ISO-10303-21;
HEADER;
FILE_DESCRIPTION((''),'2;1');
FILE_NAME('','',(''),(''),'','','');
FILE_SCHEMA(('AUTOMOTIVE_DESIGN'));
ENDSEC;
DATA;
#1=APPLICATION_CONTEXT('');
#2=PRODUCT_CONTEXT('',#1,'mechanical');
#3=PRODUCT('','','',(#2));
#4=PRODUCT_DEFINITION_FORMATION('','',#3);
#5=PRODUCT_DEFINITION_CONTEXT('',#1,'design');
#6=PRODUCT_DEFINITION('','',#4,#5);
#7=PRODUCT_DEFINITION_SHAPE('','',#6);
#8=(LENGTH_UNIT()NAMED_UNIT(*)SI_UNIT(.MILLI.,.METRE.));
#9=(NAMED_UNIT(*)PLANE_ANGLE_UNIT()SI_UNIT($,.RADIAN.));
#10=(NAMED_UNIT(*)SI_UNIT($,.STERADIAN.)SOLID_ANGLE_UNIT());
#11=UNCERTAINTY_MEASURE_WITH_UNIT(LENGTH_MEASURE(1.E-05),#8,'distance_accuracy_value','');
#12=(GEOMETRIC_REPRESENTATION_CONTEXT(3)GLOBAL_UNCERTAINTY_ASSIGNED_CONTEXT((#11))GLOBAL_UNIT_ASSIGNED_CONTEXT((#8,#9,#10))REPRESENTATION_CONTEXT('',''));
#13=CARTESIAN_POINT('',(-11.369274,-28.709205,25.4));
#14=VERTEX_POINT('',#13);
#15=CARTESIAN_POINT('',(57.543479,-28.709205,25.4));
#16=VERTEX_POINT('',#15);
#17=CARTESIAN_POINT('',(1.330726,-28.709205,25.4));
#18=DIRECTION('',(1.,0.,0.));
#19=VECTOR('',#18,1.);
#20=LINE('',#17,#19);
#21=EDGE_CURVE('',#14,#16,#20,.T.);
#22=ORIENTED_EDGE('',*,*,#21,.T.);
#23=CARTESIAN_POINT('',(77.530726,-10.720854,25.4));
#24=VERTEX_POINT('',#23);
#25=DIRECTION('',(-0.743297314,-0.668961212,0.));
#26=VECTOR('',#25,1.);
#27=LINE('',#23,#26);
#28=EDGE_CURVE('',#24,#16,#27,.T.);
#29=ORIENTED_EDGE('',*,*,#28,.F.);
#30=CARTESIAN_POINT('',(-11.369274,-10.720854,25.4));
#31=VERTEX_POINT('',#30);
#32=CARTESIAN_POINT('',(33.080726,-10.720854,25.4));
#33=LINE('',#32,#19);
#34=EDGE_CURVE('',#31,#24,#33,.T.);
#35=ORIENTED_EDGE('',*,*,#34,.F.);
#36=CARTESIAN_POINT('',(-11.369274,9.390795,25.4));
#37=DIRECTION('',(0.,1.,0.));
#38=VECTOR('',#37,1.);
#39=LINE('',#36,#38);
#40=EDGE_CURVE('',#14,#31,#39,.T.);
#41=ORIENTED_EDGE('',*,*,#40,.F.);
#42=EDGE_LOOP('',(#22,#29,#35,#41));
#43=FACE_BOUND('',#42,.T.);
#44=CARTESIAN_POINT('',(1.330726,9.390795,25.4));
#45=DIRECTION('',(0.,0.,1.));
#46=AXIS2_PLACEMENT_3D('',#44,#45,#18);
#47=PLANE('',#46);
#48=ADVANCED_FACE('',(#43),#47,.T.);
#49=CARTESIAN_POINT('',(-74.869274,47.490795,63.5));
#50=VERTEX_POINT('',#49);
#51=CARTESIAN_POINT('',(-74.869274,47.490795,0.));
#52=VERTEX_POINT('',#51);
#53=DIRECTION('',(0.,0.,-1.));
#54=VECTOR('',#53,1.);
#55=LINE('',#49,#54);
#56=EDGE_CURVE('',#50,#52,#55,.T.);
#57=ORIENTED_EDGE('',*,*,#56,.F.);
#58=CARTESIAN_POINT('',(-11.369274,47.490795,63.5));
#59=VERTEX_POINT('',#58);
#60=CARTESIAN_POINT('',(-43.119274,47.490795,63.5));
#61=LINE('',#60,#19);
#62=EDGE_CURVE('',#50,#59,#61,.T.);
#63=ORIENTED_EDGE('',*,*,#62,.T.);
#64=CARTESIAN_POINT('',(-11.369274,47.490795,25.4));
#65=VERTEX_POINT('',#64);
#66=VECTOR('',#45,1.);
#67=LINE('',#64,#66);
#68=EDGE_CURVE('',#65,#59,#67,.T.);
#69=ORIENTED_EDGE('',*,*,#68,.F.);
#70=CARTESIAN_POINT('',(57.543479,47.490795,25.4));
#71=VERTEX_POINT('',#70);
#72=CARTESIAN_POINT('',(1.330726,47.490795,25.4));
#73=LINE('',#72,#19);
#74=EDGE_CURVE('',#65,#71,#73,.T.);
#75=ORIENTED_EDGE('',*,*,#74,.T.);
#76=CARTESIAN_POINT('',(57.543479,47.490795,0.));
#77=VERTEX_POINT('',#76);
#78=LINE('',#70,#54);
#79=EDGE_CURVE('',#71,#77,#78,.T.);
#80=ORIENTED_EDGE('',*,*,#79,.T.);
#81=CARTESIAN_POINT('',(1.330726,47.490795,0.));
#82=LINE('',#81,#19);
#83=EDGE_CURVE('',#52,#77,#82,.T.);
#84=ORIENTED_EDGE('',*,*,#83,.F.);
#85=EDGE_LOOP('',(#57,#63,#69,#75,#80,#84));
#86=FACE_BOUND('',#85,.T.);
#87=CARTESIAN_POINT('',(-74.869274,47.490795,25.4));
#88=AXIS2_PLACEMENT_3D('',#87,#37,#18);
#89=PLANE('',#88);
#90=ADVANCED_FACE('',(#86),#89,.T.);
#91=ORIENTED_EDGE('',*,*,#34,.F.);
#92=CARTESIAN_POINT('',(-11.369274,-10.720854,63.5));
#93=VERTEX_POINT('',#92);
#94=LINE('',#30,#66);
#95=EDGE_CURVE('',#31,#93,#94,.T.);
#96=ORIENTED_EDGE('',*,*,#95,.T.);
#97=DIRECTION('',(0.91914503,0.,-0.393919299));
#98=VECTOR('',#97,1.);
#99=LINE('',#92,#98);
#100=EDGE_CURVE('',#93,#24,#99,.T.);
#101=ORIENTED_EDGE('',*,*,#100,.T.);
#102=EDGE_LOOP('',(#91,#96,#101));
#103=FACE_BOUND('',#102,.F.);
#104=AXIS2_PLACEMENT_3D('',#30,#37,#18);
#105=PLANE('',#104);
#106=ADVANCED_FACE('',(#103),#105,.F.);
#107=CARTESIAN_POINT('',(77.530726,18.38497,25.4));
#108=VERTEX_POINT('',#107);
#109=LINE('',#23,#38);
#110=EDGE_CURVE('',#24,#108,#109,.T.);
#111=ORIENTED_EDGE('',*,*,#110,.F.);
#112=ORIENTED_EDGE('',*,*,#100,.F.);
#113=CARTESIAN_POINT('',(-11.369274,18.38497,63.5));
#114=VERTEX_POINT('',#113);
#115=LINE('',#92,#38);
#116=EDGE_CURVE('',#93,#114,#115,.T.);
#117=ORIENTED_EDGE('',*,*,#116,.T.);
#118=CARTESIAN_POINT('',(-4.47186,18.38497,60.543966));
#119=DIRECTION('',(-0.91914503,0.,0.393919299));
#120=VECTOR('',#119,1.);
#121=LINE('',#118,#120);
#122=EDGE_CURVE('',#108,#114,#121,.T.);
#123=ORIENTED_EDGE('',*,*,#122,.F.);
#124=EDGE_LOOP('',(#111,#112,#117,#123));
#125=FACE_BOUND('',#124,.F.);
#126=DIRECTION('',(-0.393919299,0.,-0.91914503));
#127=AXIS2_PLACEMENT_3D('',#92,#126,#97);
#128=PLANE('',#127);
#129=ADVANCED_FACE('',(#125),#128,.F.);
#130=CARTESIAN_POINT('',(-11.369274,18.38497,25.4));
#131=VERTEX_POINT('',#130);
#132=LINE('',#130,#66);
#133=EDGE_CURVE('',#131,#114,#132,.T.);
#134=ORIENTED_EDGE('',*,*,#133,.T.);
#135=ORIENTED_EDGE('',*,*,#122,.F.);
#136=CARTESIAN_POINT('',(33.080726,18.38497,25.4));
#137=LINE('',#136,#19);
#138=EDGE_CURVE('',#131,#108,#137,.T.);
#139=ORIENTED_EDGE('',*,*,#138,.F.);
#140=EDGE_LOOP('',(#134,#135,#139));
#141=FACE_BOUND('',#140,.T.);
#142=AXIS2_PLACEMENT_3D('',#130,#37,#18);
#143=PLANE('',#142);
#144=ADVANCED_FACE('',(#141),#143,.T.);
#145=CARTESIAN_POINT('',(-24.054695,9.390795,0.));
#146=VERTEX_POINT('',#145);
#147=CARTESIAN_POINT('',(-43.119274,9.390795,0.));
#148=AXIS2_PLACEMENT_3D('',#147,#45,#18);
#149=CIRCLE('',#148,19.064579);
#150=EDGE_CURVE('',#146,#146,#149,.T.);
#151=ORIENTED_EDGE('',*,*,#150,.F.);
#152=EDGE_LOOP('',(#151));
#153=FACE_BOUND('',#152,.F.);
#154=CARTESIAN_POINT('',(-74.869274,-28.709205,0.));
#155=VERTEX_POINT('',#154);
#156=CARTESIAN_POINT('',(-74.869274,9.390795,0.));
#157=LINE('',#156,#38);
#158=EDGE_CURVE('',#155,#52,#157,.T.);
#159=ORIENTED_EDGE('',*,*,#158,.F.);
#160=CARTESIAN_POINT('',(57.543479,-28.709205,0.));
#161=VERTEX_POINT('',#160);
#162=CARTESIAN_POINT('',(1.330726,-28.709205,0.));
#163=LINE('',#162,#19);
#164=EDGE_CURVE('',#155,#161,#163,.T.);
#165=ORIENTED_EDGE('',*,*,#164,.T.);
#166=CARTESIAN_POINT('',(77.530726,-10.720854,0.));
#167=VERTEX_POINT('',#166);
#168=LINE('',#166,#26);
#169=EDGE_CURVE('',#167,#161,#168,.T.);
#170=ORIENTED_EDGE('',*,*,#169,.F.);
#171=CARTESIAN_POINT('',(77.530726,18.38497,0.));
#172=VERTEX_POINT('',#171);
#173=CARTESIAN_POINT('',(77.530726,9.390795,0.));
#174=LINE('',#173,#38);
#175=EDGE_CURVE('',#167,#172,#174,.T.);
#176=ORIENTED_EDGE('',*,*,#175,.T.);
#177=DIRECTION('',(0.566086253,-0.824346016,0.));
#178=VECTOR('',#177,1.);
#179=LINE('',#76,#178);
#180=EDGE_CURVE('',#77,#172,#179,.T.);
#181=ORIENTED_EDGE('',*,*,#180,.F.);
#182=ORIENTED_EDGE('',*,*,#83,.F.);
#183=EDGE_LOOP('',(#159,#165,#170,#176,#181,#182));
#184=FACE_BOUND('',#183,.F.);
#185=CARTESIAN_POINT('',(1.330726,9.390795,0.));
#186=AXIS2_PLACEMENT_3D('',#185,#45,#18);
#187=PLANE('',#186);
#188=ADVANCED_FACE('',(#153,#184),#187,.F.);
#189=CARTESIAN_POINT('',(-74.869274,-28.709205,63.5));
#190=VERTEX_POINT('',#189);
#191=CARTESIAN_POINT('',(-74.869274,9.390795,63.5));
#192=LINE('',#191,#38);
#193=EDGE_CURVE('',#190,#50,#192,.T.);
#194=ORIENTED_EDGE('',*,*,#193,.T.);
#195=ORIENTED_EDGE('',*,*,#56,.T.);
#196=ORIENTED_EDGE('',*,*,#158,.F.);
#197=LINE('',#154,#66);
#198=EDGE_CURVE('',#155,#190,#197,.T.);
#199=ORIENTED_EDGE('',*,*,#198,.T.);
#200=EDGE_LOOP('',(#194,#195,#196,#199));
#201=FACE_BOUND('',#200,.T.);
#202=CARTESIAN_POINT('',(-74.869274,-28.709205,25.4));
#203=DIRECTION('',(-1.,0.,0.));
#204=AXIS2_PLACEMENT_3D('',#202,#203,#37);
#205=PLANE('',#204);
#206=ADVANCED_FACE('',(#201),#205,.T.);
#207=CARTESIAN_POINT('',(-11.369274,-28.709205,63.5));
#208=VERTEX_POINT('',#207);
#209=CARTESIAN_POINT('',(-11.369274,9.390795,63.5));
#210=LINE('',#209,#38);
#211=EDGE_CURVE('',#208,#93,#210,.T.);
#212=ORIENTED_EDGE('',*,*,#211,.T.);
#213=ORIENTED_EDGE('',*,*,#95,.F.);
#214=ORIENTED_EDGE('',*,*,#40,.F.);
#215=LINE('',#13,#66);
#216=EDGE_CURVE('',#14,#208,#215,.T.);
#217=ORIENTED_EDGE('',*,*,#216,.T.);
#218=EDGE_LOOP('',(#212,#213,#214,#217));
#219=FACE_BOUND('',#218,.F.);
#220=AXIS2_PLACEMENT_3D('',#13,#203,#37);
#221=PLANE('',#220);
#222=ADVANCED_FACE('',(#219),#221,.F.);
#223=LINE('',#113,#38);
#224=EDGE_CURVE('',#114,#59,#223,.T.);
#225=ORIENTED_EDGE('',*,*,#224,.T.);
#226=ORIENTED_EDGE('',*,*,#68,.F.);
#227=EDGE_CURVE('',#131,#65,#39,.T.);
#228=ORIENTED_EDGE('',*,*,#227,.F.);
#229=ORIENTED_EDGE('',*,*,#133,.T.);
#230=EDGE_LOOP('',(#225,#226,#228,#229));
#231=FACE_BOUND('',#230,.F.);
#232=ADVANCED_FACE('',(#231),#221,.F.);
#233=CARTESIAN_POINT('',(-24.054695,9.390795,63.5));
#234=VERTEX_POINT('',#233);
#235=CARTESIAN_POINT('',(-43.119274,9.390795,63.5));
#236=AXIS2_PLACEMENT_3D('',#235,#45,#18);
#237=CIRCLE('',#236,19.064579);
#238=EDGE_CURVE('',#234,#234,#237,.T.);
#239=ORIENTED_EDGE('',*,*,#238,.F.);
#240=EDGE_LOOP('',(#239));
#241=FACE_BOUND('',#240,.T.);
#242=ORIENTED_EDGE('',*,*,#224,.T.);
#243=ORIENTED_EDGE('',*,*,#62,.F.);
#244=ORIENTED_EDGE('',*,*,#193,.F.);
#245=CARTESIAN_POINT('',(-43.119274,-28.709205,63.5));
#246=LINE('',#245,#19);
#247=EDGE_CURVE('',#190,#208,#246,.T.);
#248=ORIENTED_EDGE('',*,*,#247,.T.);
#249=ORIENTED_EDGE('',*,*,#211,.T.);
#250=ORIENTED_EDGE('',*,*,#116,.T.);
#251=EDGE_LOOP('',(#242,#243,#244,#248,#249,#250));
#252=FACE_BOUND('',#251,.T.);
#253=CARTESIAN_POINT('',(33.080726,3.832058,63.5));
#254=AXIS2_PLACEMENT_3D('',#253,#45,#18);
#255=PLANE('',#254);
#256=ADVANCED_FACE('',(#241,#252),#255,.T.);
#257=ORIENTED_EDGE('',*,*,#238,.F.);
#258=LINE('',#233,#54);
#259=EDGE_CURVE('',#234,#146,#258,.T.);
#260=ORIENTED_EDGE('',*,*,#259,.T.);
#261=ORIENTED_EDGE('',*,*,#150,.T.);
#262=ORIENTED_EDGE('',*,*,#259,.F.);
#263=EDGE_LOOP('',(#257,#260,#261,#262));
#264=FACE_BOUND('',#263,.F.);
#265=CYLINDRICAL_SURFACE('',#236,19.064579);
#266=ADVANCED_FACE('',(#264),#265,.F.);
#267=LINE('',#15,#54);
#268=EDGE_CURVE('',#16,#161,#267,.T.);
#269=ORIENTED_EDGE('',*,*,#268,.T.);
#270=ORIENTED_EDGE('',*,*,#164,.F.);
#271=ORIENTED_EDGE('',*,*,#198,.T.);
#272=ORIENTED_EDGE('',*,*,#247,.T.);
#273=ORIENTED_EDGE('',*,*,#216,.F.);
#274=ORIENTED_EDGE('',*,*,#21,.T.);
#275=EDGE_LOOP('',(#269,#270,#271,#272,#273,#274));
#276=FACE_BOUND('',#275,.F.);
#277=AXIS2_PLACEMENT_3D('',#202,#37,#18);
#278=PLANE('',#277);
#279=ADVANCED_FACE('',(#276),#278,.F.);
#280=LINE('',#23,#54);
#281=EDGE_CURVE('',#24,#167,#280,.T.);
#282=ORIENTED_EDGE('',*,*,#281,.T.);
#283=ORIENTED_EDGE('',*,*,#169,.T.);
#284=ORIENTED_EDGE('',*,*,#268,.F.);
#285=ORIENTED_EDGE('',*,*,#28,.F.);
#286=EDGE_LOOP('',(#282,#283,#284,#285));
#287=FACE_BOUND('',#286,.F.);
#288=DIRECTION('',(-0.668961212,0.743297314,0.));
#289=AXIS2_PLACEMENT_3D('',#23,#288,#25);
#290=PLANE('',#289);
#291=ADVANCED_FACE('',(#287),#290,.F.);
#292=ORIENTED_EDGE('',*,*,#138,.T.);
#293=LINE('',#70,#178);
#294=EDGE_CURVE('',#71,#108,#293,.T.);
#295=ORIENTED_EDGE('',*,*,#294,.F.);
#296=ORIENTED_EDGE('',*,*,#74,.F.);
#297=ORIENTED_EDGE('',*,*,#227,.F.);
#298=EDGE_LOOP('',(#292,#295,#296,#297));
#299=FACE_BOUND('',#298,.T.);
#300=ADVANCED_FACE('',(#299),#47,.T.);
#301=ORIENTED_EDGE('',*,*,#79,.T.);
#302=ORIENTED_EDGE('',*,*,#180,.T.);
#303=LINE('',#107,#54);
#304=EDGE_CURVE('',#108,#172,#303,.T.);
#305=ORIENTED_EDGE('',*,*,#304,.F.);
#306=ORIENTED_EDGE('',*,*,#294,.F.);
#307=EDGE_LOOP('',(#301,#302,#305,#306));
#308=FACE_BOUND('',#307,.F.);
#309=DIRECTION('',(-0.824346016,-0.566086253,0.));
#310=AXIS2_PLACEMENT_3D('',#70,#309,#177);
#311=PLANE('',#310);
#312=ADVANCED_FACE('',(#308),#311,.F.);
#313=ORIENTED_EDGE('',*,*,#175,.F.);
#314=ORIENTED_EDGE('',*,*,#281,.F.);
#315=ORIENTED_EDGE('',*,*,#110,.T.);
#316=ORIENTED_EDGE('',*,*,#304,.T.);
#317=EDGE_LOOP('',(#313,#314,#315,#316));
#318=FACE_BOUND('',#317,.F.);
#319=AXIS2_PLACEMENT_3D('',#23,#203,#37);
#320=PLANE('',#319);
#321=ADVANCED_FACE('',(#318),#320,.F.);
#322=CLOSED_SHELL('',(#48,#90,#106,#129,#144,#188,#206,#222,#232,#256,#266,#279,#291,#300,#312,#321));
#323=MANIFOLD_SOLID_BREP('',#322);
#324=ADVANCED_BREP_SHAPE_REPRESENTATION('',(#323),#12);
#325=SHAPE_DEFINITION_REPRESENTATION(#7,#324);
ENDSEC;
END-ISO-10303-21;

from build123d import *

# Parameters (mm, degrees)
F0_W      = 152.4
F0_H      = 76.2
F1_DEPTH  = 25.4
F2_W      = 63.5
F2_H      = 76.2
F3_DEPTH  = 38.1
F5_DEPTH  = 25.4
F7_DEPTH  = 25.4
F8_W      = 88.9
F8_H      = 29.105824
F9_DEPTH  = 38.1
F11_DEPTH = 38.1
F12_R     = 19.064579
F13_DEPTH = 76.2


with BuildPart() as f1:
    # F0 (on Top) → F1 (new body)
    with BuildSketch(Plane.XY):
        with Locations((1.330726, 9.390795)):
            Rectangle(F0_W, F0_H)
    extrude(amount=F1_DEPTH)

    # F2 (on face) → F3 (join)
    with BuildSketch(Plane.XY.offset(25.4)):
        with Locations((-43.119274, 9.390795)):
            Rectangle(F2_W, F2_H)
    extrude(amount=F3_DEPTH)

    # F4 (on face) → F5 (cut)
    with BuildSketch(Plane.XY.offset(25.4)):
        Polygon((57.543479, -28.709205), (77.530726, -28.709205), (77.530726, -10.720854), align=None)
    extrude(amount=-F5_DEPTH, mode=Mode.SUBTRACT)

    # F6 (on face) → F7 (cut)
    with BuildSketch(Plane.XY.offset(25.4)):
        Polygon((77.530726, 47.490795), (57.543479, 47.490795), (77.530726, 18.38497), align=None)
    extrude(amount=-F7_DEPTH, mode=Mode.SUBTRACT)

    # F8 (on face) → F9 (join)
    with BuildSketch(Plane.XY.offset(25.4)):
        with Locations((33.080726, 3.832058)):
            Rectangle(F8_W, F8_H)
    extrude(amount=F9_DEPTH)

    # F10 (on face) → F11 (cut)
    with BuildSketch(Plane.XZ.offset(10.720854)):
        Polygon((77.530726, 63.5), (-11.369274, 63.5), (77.530726, 25.4), align=None)
    extrude(amount=-F11_DEPTH, mode=Mode.SUBTRACT)

    # F12 (on face) → F13 (cut)
    with BuildSketch(Plane.XY.offset(63.5)):
        with Locations((-43.119274, 9.390795)):
            Circle(F12_R)
    extrude(amount=-F13_DEPTH, mode=Mode.SUBTRACT)


solid = f1.part
